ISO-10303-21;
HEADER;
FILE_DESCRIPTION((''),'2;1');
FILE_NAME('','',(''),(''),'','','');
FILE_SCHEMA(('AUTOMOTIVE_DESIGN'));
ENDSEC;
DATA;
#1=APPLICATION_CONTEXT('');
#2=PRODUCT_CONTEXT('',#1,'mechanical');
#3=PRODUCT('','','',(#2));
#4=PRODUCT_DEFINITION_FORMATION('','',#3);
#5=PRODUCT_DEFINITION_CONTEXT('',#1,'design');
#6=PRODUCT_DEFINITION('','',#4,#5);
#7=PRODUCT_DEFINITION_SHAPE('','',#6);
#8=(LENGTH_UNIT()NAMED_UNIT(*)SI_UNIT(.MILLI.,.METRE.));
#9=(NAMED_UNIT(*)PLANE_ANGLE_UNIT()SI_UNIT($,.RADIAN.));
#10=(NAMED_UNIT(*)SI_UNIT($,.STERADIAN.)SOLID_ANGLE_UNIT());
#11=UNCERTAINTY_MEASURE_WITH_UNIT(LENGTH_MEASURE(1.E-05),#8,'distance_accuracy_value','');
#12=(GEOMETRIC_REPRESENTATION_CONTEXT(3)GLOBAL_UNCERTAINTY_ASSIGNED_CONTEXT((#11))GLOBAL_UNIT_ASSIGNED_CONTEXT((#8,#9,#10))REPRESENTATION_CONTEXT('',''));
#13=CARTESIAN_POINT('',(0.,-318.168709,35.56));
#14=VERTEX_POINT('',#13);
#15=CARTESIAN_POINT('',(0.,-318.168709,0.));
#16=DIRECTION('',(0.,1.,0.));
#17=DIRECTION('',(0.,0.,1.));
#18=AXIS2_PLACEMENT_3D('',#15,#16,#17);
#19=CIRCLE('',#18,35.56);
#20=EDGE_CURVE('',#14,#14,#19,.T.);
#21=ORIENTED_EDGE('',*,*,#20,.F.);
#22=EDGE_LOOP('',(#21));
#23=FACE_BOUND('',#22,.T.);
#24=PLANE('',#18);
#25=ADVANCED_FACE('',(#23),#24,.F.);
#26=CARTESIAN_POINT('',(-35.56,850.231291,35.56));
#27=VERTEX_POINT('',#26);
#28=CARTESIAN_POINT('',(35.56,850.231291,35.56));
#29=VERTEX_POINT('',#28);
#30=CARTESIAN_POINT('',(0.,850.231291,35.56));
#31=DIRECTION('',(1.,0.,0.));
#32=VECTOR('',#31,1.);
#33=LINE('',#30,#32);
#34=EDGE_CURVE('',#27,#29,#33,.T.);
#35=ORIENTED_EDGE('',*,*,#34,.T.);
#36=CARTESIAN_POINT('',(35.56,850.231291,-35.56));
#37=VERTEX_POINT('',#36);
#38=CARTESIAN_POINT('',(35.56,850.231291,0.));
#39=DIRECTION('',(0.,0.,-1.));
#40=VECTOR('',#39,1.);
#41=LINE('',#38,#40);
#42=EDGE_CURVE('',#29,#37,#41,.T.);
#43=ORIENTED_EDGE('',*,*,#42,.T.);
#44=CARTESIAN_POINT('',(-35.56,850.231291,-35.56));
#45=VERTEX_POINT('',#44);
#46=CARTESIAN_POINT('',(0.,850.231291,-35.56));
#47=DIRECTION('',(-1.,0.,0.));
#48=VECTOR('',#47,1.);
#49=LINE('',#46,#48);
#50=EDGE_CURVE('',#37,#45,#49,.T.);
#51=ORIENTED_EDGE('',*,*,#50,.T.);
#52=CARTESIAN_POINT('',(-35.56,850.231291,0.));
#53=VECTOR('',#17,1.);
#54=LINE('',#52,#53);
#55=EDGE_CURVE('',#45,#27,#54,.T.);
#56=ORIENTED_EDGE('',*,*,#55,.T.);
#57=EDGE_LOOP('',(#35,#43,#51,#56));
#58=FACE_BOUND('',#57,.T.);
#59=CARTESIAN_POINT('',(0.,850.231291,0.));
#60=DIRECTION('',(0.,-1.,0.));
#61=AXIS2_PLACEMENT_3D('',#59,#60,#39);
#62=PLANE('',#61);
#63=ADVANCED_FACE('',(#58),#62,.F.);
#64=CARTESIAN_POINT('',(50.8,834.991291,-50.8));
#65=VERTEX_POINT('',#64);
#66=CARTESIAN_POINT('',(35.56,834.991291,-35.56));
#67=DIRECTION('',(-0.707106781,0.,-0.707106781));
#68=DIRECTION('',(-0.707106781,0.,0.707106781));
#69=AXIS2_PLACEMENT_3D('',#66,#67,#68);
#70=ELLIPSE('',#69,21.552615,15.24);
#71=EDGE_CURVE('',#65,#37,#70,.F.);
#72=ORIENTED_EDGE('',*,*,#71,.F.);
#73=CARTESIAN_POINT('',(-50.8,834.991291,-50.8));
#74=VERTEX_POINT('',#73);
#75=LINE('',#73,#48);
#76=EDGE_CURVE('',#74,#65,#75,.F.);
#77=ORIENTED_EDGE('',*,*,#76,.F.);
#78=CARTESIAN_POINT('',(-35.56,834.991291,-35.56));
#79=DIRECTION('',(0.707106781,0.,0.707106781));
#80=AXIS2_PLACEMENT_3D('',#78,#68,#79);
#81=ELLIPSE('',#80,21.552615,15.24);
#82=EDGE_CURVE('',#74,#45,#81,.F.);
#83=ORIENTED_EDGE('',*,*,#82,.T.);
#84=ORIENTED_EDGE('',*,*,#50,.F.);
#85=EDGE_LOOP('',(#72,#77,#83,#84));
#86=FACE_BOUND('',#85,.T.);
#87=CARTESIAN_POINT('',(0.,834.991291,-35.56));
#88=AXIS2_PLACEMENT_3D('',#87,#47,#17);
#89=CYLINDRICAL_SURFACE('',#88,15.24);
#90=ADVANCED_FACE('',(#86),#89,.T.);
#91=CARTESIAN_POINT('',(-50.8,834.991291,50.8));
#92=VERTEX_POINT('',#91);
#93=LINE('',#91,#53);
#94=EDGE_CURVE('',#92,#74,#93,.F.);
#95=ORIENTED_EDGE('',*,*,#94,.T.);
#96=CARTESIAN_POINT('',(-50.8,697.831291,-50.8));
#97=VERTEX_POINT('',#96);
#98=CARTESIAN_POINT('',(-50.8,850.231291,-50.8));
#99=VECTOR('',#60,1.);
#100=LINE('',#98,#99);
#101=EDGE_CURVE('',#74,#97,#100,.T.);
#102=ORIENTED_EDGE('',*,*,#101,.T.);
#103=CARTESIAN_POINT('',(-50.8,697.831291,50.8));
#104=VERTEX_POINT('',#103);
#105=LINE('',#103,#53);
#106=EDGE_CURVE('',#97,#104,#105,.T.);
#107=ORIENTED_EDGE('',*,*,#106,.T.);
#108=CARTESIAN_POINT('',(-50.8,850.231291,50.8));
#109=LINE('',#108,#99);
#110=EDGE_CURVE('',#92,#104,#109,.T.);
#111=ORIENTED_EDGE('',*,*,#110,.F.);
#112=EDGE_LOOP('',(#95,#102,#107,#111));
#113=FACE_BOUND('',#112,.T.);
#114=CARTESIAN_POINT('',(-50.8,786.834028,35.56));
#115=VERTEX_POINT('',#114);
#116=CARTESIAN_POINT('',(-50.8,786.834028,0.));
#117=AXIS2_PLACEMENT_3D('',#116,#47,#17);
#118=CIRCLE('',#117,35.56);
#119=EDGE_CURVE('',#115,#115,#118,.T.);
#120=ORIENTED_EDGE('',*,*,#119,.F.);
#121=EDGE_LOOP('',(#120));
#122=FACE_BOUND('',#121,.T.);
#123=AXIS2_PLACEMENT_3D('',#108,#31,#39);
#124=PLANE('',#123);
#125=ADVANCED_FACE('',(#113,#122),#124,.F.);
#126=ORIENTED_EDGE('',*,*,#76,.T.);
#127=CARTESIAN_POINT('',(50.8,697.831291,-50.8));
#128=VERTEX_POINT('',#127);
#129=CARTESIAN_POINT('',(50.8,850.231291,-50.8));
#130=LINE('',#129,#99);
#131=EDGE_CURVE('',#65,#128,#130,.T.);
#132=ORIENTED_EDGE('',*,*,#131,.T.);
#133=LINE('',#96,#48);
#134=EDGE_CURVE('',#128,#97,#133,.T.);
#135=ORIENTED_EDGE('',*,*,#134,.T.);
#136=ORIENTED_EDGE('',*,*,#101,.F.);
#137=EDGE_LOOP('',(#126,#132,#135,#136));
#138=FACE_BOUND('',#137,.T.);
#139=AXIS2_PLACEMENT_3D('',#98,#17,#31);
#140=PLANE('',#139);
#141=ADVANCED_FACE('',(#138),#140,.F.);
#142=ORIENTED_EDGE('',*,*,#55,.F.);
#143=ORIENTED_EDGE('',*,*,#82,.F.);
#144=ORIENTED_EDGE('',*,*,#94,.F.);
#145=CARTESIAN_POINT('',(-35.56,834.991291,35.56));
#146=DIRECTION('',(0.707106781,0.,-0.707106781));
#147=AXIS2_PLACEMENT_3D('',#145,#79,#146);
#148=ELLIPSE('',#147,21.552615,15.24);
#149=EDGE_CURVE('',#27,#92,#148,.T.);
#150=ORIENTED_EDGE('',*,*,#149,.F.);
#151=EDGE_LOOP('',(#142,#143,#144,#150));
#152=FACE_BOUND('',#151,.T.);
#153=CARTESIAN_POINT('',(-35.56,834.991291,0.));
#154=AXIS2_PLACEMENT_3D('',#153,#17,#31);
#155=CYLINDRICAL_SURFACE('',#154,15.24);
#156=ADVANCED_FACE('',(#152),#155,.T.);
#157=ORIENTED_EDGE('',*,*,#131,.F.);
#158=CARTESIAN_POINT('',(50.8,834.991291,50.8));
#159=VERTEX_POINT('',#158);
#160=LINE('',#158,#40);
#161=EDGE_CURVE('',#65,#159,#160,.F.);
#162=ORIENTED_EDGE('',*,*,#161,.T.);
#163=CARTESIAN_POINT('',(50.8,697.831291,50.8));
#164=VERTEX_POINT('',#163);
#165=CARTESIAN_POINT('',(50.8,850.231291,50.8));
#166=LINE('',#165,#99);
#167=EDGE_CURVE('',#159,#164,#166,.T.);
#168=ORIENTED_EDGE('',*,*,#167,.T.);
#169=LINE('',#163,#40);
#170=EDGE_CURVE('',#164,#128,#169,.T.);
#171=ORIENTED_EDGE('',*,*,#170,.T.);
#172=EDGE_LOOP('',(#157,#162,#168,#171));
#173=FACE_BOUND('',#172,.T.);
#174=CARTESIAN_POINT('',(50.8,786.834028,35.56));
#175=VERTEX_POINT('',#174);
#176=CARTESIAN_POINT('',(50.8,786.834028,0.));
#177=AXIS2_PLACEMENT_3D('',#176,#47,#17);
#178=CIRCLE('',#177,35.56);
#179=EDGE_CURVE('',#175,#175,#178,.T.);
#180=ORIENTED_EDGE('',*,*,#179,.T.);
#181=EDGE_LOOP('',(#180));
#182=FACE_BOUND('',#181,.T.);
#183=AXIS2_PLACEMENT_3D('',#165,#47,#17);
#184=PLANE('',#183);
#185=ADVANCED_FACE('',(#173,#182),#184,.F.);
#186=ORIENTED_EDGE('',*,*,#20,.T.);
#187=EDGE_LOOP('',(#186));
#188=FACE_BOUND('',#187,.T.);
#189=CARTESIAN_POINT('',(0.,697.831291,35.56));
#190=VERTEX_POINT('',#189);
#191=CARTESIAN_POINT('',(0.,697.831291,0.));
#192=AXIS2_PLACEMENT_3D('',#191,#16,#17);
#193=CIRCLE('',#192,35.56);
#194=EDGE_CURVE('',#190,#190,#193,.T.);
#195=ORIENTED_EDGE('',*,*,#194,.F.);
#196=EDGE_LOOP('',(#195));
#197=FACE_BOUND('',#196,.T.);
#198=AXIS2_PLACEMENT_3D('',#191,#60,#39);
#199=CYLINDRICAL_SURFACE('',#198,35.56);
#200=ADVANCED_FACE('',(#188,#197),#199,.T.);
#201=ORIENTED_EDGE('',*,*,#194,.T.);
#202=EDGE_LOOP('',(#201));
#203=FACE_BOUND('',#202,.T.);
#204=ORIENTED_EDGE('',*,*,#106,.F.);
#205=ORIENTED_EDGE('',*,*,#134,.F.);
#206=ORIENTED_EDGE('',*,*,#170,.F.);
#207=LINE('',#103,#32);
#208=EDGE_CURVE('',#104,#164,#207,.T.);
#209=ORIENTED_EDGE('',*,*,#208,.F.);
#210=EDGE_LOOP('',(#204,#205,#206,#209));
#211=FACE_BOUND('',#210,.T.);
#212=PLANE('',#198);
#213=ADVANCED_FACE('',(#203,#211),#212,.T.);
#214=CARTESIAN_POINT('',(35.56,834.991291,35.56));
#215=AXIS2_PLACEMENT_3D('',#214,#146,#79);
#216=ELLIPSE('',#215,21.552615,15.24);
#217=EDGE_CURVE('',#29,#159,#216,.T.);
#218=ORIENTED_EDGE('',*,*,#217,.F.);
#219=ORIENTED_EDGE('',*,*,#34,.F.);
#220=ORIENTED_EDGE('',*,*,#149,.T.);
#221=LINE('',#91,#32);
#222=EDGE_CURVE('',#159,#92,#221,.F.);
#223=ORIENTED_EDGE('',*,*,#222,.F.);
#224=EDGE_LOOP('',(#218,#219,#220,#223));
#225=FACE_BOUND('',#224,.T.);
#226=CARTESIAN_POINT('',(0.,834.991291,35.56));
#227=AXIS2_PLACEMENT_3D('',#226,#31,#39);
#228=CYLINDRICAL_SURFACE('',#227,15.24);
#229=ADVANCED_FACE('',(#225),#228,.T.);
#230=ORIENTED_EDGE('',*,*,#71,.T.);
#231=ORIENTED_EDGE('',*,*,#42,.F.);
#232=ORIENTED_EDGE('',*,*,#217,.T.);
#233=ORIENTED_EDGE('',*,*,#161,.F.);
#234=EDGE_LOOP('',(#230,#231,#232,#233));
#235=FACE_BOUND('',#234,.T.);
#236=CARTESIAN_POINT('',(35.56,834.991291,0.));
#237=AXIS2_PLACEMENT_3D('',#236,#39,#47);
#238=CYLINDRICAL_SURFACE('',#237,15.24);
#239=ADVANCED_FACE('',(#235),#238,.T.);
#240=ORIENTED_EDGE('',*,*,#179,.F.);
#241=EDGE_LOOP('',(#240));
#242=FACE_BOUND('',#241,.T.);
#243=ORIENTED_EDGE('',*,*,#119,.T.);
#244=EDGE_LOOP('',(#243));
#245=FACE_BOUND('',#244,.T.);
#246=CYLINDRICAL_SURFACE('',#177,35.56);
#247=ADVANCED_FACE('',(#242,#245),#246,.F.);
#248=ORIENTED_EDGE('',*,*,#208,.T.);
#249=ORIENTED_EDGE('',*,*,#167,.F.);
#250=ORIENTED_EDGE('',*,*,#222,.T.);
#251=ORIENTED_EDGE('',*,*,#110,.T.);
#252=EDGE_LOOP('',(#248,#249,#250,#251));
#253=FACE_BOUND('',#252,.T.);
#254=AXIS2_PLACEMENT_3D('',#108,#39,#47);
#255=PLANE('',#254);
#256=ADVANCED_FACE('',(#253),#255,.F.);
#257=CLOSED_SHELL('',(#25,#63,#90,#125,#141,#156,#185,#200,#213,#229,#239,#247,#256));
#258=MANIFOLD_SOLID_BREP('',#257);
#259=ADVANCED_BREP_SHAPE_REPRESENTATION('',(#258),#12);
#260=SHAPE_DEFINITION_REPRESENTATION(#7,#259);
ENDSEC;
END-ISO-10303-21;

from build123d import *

# Parameters (mm, degrees)
SKETCH1_R           = 17.78
BOSS_EXTRUDE1_DEPTH = 508
SKETCH2_W           = 50.8
SKETCH2_H           = 50.8
BOSS_EXTRUDE2_DEPTH = 76.2
SKETCH4_R           = 17.78
CUT_EXTRUDE1_DEPTH  = 587.954376421
FILLET1_R           = 7.62
SCALE1_SCALE        = 2


with BuildPart() as part:
    # Sketch1 → Boss-Extrude1 (new body)
    with BuildSketch(Plane(origin=(0, 0, 0), x_dir=(1, 0, 0), z_dir=(0, 1, 0))):
        with Locations(Location((0, 0, 0), (0, 0, 270))):
            Circle(SKETCH1_R)
    extrude(amount=BOSS_EXTRUDE1_DEPTH)

    # Sketch2 → Boss-Extrude2 (add)
    with BuildSketch(Plane(origin=(0, 508, 0), x_dir=(1, 0, 0), z_dir=(0, 1, 0))):
        Rectangle(SKETCH2_W, SKETCH2_H)
    extrude(amount=BOSS_EXTRUDE2_DEPTH)

    # Sketch4 → Cut-Extrude1 (cut, through all)
    with BuildSketch(Plane.ZY.offset(25.4)):
        with Locations((0, 552.501368348)):
            Circle(SKETCH4_R)
    extrude(amount=-CUT_EXTRUDE1_DEPTH, mode=Mode.SUBTRACT)

    # Fillet1
    fillet1_edges = [part.edges().sort_by_distance(p)[0] for p in [
        (25.4, 584.2, 0),
        (0, 584.2, -25.4),
        (-25.4, 584.2, 0),
        (0, 584.2, 25.4),
    ]]
    fillet(fillet1_edges, radius=FILLET1_R)


with BuildPart() as part_1:
    # Scale1: scaled about (0, 318.169265299, 0)
    add(part.part.scale(SCALE1_SCALE).moved(Location((0, -318.169265299, 0))))


solid = part_1.part
